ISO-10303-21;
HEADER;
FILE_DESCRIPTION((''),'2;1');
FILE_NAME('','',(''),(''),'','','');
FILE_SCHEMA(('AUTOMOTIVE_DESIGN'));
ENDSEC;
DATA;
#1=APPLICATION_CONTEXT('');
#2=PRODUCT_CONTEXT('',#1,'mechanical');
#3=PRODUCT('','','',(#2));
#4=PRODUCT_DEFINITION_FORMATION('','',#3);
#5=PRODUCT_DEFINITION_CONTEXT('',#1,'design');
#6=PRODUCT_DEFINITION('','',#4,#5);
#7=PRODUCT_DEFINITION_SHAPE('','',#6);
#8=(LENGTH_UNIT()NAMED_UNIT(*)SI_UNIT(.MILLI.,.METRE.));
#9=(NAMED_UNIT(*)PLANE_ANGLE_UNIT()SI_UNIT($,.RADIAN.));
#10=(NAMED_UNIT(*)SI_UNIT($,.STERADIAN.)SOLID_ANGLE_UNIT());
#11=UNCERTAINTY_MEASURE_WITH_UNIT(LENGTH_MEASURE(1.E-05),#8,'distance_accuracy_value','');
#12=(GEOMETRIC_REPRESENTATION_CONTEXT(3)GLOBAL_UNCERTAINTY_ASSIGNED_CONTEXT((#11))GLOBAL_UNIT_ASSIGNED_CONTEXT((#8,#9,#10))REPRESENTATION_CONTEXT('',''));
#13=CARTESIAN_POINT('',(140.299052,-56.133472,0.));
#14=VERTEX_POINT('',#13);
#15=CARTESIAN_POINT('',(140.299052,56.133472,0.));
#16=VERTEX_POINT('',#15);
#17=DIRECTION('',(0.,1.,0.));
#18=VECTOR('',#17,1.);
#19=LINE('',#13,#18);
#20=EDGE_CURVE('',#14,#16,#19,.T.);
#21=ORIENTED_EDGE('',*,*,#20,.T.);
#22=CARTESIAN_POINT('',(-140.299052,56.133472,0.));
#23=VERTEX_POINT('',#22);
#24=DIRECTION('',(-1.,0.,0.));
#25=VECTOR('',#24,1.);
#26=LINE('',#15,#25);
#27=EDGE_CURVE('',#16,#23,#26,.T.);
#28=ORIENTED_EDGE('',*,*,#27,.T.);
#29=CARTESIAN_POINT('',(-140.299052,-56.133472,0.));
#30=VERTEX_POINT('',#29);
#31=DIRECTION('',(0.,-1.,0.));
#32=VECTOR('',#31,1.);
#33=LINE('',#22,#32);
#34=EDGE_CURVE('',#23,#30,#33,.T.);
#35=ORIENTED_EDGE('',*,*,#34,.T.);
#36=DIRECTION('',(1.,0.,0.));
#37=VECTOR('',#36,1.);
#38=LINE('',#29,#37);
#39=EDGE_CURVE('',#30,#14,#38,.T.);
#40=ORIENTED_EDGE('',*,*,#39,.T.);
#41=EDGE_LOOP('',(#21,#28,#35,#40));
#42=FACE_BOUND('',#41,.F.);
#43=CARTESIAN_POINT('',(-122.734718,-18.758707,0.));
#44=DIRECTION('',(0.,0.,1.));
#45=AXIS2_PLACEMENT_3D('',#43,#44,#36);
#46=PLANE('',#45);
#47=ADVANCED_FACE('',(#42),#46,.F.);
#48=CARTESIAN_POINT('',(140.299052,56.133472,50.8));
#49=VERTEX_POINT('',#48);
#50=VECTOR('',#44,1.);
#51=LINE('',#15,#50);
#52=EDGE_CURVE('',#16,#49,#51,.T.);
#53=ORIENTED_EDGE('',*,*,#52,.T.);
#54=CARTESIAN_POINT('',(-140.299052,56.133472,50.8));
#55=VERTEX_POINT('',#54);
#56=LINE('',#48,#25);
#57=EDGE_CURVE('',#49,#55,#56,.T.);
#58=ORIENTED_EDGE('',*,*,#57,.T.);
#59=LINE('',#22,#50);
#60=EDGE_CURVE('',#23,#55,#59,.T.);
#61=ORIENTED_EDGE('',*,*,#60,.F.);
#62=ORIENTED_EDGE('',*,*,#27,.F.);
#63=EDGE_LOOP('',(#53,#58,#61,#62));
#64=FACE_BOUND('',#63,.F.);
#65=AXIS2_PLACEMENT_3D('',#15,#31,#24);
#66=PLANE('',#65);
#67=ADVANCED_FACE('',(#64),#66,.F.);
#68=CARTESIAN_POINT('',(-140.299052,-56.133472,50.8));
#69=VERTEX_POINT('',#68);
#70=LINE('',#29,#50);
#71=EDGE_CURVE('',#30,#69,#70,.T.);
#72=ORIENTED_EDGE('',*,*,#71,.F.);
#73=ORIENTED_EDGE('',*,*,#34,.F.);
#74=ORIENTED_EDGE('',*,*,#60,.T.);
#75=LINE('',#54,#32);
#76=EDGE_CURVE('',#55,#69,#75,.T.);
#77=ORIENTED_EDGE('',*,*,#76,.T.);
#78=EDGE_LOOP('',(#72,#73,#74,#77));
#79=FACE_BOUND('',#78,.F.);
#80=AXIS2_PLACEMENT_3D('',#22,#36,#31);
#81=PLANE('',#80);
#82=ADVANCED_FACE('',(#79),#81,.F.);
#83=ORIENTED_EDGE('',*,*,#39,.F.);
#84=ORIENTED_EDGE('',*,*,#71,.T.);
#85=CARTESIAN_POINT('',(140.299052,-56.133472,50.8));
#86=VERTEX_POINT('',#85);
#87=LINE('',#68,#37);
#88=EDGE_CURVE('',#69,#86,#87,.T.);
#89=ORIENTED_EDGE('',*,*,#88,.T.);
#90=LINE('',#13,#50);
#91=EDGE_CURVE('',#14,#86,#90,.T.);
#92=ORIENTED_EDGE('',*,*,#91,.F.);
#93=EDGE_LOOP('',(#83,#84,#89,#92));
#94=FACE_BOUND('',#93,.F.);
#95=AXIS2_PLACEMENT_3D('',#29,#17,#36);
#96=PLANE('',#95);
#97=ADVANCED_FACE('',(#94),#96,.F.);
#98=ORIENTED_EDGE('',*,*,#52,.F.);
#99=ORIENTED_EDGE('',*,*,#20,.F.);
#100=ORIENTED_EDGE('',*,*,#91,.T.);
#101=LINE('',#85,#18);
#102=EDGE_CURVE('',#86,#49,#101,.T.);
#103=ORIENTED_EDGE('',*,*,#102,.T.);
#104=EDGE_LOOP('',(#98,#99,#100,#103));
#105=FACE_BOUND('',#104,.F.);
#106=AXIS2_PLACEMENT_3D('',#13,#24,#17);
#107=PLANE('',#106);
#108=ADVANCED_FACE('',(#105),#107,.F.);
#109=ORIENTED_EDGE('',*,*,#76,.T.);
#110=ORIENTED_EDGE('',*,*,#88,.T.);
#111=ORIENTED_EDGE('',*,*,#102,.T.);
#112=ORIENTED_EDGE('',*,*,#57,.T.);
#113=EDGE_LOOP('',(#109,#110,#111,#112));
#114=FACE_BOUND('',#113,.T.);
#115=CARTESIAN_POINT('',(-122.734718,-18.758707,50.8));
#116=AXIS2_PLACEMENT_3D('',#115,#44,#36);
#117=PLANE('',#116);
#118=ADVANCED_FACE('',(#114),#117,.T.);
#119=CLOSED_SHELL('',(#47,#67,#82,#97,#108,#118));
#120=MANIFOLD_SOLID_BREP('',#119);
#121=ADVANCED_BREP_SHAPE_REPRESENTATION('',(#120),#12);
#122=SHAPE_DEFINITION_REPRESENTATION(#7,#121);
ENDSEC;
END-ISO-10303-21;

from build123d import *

# Parameters (mm, degrees)
F0_W     = 35.128668
F0_H     = 74.74953
F0_H_2   = 37.517414
F1_DEPTH = 50.8


with BuildPart() as f1:
    # F0 (on Top) → F1 (new body)
    with BuildSketch(Plane.XY):
        with Locations((-122.734718, -18.758707)):
            Rectangle(F0_W, F0_H)
        Polygon((-105.170384, 18.616058), (-105.170384, -56.133472), (140.299052, -56.133472), (140.299052, 56.133472), (-105.170384, 56.133472), align=None)
        with Locations((-122.734718, 37.374765)):
            Rectangle(F0_W, F0_H_2)
    extrude(amount=F1_DEPTH)


solid = f1.part
